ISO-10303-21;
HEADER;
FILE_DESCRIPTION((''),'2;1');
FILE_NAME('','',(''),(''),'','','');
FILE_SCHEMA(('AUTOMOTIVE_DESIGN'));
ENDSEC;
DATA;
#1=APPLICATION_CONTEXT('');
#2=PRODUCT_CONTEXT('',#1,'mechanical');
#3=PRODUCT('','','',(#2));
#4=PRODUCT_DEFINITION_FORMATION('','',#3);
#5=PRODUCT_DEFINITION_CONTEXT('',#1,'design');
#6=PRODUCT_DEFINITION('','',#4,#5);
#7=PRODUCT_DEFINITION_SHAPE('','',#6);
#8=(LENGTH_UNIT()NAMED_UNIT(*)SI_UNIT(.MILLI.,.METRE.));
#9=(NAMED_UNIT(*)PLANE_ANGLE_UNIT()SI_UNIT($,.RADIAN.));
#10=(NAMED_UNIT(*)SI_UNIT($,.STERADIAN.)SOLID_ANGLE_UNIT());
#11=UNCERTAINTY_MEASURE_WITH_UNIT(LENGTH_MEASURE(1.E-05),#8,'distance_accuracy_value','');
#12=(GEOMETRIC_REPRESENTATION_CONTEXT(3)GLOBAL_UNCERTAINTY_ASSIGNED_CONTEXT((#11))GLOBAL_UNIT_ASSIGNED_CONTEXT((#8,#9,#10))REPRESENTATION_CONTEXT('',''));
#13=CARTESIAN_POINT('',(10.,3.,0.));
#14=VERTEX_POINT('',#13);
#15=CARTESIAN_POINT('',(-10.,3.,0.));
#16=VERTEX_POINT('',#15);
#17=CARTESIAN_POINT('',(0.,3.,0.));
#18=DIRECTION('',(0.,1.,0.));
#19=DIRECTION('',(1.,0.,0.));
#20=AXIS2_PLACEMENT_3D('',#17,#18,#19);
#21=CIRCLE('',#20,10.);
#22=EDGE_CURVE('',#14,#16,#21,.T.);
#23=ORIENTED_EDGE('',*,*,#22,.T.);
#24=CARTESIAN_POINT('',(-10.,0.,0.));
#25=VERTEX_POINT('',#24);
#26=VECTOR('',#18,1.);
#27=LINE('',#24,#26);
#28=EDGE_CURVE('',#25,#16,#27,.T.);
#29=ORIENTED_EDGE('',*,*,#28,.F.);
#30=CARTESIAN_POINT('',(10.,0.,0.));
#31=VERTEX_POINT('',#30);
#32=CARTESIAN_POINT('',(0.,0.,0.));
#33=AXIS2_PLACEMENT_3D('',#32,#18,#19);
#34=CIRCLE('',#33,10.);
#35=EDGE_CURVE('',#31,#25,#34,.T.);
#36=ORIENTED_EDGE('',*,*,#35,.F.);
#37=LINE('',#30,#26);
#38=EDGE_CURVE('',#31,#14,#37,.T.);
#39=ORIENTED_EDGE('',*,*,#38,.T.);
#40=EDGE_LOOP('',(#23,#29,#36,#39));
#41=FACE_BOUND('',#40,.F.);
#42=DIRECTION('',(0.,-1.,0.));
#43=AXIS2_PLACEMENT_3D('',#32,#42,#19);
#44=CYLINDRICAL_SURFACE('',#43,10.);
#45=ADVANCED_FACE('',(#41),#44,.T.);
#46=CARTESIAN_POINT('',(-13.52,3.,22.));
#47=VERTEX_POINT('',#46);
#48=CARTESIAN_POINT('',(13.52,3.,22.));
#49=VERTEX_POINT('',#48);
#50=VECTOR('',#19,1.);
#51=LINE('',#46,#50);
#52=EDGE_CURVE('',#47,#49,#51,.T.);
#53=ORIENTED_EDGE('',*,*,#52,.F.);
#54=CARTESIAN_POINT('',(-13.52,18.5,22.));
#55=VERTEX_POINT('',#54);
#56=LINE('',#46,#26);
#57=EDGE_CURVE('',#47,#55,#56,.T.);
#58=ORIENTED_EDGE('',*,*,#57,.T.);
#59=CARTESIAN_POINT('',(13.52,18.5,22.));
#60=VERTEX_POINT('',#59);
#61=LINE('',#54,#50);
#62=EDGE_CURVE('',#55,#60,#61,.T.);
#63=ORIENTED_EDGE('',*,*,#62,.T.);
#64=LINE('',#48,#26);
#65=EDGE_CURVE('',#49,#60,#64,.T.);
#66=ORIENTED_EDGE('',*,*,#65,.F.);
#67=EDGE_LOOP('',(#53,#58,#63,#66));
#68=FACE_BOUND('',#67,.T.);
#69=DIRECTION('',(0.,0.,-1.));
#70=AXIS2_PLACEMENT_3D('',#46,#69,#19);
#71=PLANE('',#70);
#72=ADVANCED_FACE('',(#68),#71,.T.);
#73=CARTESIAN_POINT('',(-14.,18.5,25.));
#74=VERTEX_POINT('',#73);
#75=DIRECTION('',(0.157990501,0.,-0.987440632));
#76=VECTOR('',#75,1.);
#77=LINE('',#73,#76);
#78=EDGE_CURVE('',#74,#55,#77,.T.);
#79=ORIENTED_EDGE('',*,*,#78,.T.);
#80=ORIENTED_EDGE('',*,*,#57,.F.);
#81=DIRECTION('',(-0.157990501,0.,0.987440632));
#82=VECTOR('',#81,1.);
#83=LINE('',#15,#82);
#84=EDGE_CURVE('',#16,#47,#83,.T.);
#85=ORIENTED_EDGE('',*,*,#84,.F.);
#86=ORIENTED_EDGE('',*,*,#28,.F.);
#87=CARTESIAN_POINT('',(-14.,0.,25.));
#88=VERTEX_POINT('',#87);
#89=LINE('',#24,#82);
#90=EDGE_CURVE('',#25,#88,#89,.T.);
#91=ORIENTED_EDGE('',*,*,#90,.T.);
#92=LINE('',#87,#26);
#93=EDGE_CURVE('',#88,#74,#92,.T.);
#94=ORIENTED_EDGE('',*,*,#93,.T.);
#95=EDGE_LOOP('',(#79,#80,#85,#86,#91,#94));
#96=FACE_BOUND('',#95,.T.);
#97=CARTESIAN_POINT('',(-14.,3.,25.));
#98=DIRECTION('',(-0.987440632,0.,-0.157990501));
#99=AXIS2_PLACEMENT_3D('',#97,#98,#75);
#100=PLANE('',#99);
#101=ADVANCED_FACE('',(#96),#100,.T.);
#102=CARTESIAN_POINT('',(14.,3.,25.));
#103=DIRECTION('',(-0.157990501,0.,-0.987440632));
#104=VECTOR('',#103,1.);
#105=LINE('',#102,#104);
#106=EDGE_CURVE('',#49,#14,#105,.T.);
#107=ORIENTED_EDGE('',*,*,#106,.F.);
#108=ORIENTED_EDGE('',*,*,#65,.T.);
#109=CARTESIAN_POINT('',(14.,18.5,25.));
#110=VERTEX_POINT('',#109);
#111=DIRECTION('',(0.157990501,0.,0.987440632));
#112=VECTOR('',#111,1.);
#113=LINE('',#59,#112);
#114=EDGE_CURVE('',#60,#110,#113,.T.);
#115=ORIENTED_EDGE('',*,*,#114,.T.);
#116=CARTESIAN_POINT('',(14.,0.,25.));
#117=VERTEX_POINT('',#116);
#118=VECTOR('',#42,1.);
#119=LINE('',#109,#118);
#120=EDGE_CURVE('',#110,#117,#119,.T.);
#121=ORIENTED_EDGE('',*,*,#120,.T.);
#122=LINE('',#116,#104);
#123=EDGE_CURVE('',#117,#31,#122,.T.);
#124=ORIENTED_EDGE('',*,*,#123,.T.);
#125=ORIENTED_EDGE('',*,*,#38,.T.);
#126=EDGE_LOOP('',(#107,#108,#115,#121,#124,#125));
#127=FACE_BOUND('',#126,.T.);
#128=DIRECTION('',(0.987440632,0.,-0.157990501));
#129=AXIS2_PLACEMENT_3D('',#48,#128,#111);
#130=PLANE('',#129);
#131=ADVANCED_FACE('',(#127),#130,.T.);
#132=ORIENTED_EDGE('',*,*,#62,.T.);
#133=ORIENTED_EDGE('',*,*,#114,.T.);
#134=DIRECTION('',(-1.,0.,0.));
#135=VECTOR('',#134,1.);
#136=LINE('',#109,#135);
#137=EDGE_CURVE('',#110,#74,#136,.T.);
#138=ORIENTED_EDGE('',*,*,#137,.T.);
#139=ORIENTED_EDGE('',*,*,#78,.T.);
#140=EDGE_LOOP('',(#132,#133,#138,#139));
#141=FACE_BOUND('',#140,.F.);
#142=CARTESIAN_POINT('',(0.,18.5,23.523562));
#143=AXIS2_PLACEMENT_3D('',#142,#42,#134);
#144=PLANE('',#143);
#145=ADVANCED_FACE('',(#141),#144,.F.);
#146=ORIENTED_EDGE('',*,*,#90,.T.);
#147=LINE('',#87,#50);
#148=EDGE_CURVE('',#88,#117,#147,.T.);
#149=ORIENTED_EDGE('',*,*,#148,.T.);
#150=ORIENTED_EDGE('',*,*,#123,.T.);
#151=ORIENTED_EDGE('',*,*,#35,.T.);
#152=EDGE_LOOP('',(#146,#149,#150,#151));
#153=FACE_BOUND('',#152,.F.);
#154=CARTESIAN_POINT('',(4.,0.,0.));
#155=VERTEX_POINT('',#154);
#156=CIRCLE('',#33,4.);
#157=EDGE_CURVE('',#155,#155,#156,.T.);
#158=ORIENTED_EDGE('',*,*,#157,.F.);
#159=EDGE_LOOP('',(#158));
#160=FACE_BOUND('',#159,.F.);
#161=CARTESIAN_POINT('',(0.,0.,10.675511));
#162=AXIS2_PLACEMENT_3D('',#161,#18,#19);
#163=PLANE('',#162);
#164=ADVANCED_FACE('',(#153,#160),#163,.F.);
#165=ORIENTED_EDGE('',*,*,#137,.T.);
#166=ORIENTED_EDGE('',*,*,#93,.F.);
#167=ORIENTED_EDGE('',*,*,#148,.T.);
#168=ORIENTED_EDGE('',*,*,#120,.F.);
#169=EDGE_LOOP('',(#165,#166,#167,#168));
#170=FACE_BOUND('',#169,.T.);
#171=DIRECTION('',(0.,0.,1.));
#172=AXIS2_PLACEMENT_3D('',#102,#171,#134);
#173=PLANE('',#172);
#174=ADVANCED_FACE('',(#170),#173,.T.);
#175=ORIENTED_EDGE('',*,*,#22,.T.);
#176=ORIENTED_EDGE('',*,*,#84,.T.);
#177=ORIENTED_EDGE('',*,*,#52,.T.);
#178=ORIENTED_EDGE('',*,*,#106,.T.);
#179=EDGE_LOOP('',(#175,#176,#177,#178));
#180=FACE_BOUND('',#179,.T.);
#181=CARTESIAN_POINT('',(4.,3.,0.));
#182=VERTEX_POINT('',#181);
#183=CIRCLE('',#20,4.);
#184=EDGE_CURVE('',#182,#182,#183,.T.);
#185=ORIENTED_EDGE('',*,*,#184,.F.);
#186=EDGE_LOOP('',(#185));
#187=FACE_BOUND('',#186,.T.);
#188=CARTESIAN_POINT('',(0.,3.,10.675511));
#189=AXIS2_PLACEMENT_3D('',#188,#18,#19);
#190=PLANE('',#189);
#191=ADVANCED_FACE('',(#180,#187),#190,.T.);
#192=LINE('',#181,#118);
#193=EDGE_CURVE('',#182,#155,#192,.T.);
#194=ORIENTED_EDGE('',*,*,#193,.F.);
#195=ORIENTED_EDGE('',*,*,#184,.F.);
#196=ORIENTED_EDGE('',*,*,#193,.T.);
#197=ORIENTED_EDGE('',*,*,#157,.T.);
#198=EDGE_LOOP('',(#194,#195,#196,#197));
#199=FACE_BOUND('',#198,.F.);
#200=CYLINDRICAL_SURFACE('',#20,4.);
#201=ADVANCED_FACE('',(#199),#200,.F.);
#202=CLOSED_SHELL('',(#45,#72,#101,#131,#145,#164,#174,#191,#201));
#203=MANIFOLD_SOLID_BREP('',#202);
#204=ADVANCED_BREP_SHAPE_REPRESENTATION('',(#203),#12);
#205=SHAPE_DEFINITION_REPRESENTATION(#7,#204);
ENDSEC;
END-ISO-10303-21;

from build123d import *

# Parameters (mm, degrees)
BOSS_EXTRUDE1_DEPTH = 3
SKETCH2_R           = 4
CUT_EXTRUDE1_DEPTH  = 13
BOSS_EXTRUDE2_DEPTH = 15.5


with BuildPart() as part:
    # Sketch1 → Boss-Extrude1 (new body)
    with BuildSketch(Plane(origin=(0, 0, 0), x_dir=(1, 0, 0), z_dir=(0, 1, 0))):
        with BuildLine():
            Line((-10, 0), (-14, -25))
            Line((-14, -25), (14, -25))
            Line((14, -25), (10, 0))
            ThreePointArc((10, 0), (0, 10), (-10, 0))
        make_face()
    extrude(amount=BOSS_EXTRUDE1_DEPTH)

    # Sketch2 → Cut-Extrude1 (cut)
    with BuildSketch(Plane(origin=(0, 3, 0), x_dir=(1, 0, 0), z_dir=(0, 1, 0))):
        Circle(SKETCH2_R)
    extrude(amount=-CUT_EXTRUDE1_DEPTH, mode=Mode.SUBTRACT)

    # Sketch5 → Boss-Extrude2 (add)
    with BuildSketch(Plane(origin=(0, 3, 0), x_dir=(1, 0, 0), z_dir=(0, 1, 0))):
        Polygon((-13.52, -22), (13.52, -22), (14, -25), (-14, -25), align=None)
    extrude(amount=BOSS_EXTRUDE2_DEPTH)


solid = part.part
